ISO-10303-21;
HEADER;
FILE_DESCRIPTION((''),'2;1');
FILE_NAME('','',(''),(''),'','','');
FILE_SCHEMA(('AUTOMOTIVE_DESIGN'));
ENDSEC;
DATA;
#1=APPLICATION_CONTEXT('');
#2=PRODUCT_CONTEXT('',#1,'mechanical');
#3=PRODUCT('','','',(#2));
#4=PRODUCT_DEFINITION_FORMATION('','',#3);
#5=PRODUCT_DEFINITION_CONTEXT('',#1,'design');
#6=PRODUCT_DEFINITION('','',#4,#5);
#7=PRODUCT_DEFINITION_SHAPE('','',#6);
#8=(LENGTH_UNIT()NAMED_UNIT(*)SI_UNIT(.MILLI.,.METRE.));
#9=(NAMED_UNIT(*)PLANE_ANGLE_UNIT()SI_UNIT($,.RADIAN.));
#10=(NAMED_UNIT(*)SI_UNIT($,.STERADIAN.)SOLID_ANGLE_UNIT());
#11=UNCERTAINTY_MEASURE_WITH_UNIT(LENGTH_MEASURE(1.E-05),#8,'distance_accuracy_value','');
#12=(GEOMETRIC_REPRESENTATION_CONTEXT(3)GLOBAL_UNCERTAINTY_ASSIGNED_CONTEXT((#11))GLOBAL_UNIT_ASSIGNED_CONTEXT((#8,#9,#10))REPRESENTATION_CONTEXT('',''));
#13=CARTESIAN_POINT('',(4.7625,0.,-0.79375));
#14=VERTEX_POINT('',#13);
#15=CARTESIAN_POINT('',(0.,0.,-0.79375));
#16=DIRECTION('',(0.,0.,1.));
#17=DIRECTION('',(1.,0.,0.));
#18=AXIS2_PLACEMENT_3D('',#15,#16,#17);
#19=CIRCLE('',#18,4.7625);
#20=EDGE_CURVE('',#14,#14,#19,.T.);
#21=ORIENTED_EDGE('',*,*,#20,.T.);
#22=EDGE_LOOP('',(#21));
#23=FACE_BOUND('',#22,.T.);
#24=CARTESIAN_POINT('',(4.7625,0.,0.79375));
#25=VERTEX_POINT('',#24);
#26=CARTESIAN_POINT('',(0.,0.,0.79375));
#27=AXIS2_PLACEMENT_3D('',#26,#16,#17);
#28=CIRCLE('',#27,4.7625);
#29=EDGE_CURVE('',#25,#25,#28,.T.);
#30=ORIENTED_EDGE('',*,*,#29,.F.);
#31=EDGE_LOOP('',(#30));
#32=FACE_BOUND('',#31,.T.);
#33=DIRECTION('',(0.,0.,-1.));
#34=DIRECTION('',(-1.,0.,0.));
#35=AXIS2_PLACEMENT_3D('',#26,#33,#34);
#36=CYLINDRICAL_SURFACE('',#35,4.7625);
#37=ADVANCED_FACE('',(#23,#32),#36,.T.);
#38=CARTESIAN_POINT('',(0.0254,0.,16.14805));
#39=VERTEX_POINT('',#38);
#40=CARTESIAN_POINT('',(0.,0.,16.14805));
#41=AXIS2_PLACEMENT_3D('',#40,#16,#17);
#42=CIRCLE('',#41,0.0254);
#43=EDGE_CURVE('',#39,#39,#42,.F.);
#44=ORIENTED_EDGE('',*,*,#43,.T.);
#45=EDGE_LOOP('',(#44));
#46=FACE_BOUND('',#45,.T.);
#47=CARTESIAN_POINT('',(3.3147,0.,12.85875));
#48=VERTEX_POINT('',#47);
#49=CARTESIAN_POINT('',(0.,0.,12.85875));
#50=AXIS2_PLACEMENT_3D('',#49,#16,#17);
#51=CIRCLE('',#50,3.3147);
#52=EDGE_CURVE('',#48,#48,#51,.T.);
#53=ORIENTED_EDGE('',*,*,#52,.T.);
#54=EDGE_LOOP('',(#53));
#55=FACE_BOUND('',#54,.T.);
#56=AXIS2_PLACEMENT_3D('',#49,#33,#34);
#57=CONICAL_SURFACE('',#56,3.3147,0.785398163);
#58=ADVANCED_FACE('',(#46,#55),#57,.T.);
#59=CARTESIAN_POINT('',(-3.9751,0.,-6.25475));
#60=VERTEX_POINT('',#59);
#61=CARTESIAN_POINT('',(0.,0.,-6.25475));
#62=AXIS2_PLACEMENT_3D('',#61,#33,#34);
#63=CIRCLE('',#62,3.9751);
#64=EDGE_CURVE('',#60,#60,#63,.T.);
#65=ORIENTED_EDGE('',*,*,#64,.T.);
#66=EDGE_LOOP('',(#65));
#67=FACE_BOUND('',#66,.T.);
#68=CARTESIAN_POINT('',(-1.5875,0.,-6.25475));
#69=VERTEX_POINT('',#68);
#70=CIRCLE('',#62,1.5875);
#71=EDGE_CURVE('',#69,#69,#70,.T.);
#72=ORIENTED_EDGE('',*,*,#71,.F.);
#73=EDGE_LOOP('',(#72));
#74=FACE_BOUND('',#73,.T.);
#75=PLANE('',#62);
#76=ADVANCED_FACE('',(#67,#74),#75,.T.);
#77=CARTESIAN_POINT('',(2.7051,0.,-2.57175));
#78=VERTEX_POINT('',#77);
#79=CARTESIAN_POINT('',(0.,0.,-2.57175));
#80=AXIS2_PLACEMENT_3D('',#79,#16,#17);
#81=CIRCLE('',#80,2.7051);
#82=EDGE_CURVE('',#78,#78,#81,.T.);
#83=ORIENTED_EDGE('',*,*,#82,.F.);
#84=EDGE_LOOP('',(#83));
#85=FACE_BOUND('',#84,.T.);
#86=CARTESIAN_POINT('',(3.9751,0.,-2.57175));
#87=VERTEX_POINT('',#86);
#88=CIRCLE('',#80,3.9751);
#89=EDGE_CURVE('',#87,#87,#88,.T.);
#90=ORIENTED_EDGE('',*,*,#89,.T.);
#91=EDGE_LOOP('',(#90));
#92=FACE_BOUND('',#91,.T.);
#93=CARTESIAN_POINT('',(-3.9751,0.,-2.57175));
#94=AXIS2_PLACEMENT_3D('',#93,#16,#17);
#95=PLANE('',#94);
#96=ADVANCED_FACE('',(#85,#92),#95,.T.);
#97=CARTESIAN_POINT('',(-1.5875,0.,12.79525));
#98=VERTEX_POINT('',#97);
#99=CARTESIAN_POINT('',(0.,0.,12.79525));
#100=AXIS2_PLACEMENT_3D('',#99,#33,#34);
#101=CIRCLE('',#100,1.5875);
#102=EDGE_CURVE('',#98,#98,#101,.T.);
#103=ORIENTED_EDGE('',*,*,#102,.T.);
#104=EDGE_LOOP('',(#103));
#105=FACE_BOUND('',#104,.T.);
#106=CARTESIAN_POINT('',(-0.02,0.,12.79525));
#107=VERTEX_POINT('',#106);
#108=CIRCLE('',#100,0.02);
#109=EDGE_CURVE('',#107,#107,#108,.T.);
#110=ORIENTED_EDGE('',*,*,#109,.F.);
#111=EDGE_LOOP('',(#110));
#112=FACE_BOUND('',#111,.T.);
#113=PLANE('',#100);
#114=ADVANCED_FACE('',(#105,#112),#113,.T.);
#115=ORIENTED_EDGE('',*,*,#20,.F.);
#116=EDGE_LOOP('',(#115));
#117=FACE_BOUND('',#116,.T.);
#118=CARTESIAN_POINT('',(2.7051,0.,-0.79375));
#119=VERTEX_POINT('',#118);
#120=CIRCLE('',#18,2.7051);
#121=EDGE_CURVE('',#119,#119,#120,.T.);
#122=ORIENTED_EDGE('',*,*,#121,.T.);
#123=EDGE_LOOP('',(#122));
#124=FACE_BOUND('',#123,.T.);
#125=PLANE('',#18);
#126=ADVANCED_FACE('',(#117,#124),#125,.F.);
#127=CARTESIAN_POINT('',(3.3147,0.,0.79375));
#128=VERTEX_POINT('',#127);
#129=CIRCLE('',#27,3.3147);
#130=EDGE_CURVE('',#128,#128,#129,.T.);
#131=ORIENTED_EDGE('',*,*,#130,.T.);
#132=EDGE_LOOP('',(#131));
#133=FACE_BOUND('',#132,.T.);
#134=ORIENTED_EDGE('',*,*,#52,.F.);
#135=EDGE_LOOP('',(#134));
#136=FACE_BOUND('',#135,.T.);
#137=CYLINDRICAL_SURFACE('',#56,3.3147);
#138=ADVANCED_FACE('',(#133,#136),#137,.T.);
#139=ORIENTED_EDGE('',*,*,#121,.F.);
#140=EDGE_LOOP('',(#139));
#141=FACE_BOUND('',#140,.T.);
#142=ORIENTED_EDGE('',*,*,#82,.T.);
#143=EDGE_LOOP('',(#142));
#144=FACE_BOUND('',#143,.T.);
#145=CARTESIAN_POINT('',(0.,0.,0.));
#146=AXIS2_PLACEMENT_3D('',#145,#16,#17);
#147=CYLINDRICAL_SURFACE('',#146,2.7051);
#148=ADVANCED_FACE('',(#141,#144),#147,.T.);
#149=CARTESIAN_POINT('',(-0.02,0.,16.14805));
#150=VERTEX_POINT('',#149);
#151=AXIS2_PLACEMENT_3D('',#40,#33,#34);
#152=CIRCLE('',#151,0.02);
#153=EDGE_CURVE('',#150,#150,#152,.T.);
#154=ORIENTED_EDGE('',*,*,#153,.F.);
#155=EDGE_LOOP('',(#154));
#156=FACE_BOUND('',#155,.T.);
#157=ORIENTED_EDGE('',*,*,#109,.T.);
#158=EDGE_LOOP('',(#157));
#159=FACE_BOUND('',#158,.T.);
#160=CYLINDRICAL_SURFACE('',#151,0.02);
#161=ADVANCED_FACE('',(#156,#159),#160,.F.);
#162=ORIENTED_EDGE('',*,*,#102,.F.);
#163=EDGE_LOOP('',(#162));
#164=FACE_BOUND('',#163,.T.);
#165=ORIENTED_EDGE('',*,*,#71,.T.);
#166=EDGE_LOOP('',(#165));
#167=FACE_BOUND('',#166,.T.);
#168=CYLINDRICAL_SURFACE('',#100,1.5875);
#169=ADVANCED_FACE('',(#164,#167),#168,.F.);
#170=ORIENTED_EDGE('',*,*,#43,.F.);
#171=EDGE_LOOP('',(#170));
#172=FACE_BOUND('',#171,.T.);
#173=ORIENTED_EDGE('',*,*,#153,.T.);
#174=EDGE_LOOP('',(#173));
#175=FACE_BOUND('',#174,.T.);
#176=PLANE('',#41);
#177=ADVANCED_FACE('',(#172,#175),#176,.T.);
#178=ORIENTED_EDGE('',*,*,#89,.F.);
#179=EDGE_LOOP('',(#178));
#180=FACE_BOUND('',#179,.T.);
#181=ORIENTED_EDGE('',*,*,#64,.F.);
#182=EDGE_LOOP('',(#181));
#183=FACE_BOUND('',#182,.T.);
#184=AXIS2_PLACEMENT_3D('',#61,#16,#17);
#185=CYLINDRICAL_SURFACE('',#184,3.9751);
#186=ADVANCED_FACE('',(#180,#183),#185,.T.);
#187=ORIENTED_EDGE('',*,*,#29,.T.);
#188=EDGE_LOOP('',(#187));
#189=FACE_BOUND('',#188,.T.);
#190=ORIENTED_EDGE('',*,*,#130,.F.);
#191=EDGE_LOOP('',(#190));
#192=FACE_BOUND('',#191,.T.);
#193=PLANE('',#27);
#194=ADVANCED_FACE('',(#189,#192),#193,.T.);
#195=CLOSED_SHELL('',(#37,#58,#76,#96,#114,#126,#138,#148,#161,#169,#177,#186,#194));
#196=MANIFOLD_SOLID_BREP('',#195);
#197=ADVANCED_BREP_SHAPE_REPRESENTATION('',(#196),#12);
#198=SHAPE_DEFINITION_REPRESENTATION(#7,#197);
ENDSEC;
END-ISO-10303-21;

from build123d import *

# Parameters (mm, degrees)
SKETCH1_R           = 4.7625
BOSS_EXTRUDE1_DEPTH = 0.79375
SKETCH2_R           = 3.9751
BOSS_EXTRUDE2_DEPTH = 5.461
SKETCH3_R           = 3.3147
BOSS_EXTRUDE3_DEPTH = 12.065
SKETCH6_R           = 1.5875
CUT_EXTRUDE1_DEPTH  = 19.05
SKETCH10_W          = 1.27
SKETCH10_H          = 1.778
SKETCH11_R          = 0.0508
CUT_EXTRUDE3_DEPTH  = 0.0254
SKETCH9_R           = 0.02
CUT_EXTRUDE2_DEPTH  = 23.4028


with BuildPart() as part:
    # Sketch1 → Boss-Extrude1 (new body, symmetric)
    with BuildSketch(Plane.XY):
        Circle(SKETCH1_R)
    extrude(amount=BOSS_EXTRUDE1_DEPTH, both=True)

    # Sketch2 → Boss-Extrude2 (add)
    with BuildSketch(Plane(origin=(0, 0, -0.79375), x_dir=(-1, 0, 0), z_dir=(0, 0, -1))):
        with Locations(Location((0, 0, 0), (0, 0, 180))):  # turned: the seam where the file's is
            Circle(SKETCH2_R)
    extrude(amount=BOSS_EXTRUDE2_DEPTH)

    # Sketch3 → Boss-Extrude3 (add)
    with BuildSketch(Plane.XY.offset(0.79375)):
        Circle(SKETCH3_R)
    extrude(amount=BOSS_EXTRUDE3_DEPTH)

    # Sketch5 → Revolve1 (revolve)
    with BuildSketch(Plane(origin=(0, 0, 0), x_dir=(0, 0, -1), z_dir=(1, 0, 0)), mode=Mode.PRIVATE) as revolve1_sk:
        Polygon((-12.85875, 3.3147), (-16.17345, 0), (-12.85875, 0), align=None)
    revolve(revolve1_sk.sketch.rotate(Axis((0, 0, 0), (0, 0, 1)), 270), axis=Axis((0, 0, 0), (0, 0, 1)))  # turned: the seam where the file's is

    # Sketch6 → Cut-Extrude1 (cut)
    with BuildSketch(Plane(origin=(0, 0, -6.25475), x_dir=(-1, 0, 0), z_dir=(0, 0, -1))):
        Circle(SKETCH6_R)
    extrude(amount=-CUT_EXTRUDE1_DEPTH, mode=Mode.SUBTRACT)

    # Sketch10 → Cut-Revolve1 (revolve, cut)
    with BuildSketch(Plane(origin=(0, 0, 0), x_dir=(1, 0, 0), z_dir=(0, 1, 0)), mode=Mode.PRIVATE) as cut_revolve1_sk:
        with Locations((-3.3401, 1.68275)):
            Rectangle(SKETCH10_W, SKETCH10_H)
    revolve(cut_revolve1_sk.sketch.rotate(Axis((0, 0, 0), (0, 0, -1)), 180), axis=Axis((0, 0, 0), (0, 0, -1)), mode=Mode.SUBTRACT)  # turned: the seam where the file's is

    # Sketch11 → Cut-Extrude3 (cut)
    with BuildSketch(Plane.XY.offset(16.17345)):
        Circle(SKETCH11_R)
    extrude(amount=-CUT_EXTRUDE3_DEPTH, mode=Mode.SUBTRACT)

    # Sketch9 → Cut-Extrude2 (cut, through all)
    with BuildSketch(Plane(origin=(0, 0, -6.25475), x_dir=(-1, 0, 0), z_dir=(0, 0, -1))):
        Circle(SKETCH9_R)
    extrude(amount=-CUT_EXTRUDE2_DEPTH, mode=Mode.SUBTRACT)


solid = part.part
